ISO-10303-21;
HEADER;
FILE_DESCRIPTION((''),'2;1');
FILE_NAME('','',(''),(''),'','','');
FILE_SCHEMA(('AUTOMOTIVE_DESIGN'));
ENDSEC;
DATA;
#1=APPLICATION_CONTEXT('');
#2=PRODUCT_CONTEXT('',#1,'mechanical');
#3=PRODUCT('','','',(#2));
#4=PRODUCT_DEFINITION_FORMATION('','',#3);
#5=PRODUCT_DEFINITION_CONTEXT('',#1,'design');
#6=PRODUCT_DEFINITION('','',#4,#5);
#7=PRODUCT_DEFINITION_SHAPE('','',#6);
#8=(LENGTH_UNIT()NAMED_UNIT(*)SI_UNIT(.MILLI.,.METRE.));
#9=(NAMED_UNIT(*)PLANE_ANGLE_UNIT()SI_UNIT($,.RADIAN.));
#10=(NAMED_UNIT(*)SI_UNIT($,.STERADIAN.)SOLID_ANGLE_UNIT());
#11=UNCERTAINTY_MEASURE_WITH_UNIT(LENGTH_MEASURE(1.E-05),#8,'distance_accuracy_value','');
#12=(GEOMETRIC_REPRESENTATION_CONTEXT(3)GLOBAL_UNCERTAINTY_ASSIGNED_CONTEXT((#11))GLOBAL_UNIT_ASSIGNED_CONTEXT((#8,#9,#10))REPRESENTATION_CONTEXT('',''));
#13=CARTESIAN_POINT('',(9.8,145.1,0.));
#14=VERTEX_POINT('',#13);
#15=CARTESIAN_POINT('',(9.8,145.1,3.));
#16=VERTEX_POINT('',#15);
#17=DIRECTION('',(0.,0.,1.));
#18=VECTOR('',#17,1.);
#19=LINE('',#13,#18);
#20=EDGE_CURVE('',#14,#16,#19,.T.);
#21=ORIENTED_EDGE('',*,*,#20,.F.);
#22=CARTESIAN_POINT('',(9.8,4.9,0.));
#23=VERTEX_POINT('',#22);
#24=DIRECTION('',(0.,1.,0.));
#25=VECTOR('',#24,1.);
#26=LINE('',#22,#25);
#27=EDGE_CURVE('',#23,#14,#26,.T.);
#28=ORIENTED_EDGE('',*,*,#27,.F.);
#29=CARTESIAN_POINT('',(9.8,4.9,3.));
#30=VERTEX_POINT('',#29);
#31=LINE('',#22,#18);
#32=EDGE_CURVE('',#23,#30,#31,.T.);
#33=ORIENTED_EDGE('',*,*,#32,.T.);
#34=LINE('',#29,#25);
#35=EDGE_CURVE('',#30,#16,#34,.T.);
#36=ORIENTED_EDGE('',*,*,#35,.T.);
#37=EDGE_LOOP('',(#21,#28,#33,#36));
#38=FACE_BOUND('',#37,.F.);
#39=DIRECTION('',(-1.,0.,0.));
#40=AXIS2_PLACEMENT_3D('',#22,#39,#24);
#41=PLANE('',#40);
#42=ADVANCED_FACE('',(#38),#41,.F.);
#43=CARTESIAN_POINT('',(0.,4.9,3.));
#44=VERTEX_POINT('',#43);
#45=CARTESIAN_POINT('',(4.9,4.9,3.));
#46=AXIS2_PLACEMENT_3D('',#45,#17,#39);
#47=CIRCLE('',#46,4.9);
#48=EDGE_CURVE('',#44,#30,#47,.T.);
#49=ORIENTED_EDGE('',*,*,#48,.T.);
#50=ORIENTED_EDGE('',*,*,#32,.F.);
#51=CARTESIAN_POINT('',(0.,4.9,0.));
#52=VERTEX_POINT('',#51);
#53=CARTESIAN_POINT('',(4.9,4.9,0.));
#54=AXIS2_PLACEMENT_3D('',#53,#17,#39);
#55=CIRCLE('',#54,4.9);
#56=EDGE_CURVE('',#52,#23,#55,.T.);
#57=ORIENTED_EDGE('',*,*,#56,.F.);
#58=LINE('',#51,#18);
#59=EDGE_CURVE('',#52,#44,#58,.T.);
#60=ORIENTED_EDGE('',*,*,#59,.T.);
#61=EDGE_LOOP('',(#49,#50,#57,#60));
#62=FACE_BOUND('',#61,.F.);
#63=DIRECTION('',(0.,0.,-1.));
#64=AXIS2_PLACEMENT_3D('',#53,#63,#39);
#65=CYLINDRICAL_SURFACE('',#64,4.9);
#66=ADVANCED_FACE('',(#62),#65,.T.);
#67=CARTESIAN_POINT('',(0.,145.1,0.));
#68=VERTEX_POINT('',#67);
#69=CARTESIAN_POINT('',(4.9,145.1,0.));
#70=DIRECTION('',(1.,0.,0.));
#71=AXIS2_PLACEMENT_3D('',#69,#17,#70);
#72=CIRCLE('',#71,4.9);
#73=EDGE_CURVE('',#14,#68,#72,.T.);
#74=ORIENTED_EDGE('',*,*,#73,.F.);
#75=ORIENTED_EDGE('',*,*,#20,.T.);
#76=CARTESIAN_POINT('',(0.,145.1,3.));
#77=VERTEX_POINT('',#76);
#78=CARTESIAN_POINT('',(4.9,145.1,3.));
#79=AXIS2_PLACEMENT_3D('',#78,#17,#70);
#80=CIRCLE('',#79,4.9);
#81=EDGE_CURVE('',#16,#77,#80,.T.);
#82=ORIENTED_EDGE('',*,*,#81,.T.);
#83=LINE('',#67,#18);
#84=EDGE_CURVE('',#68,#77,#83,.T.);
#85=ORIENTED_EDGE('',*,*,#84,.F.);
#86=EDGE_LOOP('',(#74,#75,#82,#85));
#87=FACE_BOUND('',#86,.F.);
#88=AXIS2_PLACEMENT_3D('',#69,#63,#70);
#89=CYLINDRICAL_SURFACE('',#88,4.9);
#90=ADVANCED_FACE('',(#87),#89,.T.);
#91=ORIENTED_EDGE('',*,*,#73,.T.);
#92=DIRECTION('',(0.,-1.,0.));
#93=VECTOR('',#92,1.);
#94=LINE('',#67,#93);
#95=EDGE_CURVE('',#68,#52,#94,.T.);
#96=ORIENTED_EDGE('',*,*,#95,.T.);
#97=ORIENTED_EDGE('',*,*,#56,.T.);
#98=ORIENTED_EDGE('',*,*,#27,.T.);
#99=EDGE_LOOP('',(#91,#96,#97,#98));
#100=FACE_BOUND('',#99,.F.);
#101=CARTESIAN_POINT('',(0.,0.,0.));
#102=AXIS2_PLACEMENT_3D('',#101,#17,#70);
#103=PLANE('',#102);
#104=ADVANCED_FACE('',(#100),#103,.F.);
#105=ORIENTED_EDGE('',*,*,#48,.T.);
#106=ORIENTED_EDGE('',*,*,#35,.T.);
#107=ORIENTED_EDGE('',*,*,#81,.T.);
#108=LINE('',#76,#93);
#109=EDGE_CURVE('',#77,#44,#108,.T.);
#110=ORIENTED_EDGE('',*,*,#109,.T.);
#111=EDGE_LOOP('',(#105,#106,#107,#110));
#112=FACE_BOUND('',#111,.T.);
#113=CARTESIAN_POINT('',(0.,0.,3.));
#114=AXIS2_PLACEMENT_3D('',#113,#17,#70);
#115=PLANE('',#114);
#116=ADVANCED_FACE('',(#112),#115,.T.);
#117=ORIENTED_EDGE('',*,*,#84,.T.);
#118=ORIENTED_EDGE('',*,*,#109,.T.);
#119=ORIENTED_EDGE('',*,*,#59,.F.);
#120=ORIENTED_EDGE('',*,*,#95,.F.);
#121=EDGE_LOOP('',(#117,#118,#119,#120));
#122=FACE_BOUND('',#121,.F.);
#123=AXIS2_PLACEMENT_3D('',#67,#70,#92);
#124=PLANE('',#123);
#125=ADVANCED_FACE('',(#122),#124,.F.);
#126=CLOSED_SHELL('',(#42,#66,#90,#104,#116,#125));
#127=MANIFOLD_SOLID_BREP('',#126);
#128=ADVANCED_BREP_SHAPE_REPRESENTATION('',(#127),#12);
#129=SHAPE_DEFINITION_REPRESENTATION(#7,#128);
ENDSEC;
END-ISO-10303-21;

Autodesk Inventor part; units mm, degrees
ref_plane "YZ Plane" through (0, 0, 0) normal (1, 0, 0) x (0, 1, 0)
ref_plane "XZ Plane" through (0, 0, 0) normal (0, 1, 0) x (-1, 0, 0)
ref_plane "XY Plane" through (0, 0, 0) normal (0, 0, 1) x (1, 0, 0)
sketch "Sketch1" plane through (0, 0, 0) normal (0, 0, 1) x (1, 0, 0)
  line L0 (9.8, 4.9) -> (9.8, 145.1)
  line L1 (0, 145.1) -> (0, 4.9)
  line L2 (4.9, 150) -> (4.9, 0) construction
  arc A0 (9.8, 145.1) -> (0, 145.1) centre (4.9, 145.1) ccw
  arc A1 (0, 4.9) -> (9.8, 4.9) centre (4.9, 4.9) ccw
  point P0 (0, 0)
  dimension "d0" = 9.8
extrude "Extrusion1" add sketch "Sketch1" along normal blind 3
properties part number "stab"
